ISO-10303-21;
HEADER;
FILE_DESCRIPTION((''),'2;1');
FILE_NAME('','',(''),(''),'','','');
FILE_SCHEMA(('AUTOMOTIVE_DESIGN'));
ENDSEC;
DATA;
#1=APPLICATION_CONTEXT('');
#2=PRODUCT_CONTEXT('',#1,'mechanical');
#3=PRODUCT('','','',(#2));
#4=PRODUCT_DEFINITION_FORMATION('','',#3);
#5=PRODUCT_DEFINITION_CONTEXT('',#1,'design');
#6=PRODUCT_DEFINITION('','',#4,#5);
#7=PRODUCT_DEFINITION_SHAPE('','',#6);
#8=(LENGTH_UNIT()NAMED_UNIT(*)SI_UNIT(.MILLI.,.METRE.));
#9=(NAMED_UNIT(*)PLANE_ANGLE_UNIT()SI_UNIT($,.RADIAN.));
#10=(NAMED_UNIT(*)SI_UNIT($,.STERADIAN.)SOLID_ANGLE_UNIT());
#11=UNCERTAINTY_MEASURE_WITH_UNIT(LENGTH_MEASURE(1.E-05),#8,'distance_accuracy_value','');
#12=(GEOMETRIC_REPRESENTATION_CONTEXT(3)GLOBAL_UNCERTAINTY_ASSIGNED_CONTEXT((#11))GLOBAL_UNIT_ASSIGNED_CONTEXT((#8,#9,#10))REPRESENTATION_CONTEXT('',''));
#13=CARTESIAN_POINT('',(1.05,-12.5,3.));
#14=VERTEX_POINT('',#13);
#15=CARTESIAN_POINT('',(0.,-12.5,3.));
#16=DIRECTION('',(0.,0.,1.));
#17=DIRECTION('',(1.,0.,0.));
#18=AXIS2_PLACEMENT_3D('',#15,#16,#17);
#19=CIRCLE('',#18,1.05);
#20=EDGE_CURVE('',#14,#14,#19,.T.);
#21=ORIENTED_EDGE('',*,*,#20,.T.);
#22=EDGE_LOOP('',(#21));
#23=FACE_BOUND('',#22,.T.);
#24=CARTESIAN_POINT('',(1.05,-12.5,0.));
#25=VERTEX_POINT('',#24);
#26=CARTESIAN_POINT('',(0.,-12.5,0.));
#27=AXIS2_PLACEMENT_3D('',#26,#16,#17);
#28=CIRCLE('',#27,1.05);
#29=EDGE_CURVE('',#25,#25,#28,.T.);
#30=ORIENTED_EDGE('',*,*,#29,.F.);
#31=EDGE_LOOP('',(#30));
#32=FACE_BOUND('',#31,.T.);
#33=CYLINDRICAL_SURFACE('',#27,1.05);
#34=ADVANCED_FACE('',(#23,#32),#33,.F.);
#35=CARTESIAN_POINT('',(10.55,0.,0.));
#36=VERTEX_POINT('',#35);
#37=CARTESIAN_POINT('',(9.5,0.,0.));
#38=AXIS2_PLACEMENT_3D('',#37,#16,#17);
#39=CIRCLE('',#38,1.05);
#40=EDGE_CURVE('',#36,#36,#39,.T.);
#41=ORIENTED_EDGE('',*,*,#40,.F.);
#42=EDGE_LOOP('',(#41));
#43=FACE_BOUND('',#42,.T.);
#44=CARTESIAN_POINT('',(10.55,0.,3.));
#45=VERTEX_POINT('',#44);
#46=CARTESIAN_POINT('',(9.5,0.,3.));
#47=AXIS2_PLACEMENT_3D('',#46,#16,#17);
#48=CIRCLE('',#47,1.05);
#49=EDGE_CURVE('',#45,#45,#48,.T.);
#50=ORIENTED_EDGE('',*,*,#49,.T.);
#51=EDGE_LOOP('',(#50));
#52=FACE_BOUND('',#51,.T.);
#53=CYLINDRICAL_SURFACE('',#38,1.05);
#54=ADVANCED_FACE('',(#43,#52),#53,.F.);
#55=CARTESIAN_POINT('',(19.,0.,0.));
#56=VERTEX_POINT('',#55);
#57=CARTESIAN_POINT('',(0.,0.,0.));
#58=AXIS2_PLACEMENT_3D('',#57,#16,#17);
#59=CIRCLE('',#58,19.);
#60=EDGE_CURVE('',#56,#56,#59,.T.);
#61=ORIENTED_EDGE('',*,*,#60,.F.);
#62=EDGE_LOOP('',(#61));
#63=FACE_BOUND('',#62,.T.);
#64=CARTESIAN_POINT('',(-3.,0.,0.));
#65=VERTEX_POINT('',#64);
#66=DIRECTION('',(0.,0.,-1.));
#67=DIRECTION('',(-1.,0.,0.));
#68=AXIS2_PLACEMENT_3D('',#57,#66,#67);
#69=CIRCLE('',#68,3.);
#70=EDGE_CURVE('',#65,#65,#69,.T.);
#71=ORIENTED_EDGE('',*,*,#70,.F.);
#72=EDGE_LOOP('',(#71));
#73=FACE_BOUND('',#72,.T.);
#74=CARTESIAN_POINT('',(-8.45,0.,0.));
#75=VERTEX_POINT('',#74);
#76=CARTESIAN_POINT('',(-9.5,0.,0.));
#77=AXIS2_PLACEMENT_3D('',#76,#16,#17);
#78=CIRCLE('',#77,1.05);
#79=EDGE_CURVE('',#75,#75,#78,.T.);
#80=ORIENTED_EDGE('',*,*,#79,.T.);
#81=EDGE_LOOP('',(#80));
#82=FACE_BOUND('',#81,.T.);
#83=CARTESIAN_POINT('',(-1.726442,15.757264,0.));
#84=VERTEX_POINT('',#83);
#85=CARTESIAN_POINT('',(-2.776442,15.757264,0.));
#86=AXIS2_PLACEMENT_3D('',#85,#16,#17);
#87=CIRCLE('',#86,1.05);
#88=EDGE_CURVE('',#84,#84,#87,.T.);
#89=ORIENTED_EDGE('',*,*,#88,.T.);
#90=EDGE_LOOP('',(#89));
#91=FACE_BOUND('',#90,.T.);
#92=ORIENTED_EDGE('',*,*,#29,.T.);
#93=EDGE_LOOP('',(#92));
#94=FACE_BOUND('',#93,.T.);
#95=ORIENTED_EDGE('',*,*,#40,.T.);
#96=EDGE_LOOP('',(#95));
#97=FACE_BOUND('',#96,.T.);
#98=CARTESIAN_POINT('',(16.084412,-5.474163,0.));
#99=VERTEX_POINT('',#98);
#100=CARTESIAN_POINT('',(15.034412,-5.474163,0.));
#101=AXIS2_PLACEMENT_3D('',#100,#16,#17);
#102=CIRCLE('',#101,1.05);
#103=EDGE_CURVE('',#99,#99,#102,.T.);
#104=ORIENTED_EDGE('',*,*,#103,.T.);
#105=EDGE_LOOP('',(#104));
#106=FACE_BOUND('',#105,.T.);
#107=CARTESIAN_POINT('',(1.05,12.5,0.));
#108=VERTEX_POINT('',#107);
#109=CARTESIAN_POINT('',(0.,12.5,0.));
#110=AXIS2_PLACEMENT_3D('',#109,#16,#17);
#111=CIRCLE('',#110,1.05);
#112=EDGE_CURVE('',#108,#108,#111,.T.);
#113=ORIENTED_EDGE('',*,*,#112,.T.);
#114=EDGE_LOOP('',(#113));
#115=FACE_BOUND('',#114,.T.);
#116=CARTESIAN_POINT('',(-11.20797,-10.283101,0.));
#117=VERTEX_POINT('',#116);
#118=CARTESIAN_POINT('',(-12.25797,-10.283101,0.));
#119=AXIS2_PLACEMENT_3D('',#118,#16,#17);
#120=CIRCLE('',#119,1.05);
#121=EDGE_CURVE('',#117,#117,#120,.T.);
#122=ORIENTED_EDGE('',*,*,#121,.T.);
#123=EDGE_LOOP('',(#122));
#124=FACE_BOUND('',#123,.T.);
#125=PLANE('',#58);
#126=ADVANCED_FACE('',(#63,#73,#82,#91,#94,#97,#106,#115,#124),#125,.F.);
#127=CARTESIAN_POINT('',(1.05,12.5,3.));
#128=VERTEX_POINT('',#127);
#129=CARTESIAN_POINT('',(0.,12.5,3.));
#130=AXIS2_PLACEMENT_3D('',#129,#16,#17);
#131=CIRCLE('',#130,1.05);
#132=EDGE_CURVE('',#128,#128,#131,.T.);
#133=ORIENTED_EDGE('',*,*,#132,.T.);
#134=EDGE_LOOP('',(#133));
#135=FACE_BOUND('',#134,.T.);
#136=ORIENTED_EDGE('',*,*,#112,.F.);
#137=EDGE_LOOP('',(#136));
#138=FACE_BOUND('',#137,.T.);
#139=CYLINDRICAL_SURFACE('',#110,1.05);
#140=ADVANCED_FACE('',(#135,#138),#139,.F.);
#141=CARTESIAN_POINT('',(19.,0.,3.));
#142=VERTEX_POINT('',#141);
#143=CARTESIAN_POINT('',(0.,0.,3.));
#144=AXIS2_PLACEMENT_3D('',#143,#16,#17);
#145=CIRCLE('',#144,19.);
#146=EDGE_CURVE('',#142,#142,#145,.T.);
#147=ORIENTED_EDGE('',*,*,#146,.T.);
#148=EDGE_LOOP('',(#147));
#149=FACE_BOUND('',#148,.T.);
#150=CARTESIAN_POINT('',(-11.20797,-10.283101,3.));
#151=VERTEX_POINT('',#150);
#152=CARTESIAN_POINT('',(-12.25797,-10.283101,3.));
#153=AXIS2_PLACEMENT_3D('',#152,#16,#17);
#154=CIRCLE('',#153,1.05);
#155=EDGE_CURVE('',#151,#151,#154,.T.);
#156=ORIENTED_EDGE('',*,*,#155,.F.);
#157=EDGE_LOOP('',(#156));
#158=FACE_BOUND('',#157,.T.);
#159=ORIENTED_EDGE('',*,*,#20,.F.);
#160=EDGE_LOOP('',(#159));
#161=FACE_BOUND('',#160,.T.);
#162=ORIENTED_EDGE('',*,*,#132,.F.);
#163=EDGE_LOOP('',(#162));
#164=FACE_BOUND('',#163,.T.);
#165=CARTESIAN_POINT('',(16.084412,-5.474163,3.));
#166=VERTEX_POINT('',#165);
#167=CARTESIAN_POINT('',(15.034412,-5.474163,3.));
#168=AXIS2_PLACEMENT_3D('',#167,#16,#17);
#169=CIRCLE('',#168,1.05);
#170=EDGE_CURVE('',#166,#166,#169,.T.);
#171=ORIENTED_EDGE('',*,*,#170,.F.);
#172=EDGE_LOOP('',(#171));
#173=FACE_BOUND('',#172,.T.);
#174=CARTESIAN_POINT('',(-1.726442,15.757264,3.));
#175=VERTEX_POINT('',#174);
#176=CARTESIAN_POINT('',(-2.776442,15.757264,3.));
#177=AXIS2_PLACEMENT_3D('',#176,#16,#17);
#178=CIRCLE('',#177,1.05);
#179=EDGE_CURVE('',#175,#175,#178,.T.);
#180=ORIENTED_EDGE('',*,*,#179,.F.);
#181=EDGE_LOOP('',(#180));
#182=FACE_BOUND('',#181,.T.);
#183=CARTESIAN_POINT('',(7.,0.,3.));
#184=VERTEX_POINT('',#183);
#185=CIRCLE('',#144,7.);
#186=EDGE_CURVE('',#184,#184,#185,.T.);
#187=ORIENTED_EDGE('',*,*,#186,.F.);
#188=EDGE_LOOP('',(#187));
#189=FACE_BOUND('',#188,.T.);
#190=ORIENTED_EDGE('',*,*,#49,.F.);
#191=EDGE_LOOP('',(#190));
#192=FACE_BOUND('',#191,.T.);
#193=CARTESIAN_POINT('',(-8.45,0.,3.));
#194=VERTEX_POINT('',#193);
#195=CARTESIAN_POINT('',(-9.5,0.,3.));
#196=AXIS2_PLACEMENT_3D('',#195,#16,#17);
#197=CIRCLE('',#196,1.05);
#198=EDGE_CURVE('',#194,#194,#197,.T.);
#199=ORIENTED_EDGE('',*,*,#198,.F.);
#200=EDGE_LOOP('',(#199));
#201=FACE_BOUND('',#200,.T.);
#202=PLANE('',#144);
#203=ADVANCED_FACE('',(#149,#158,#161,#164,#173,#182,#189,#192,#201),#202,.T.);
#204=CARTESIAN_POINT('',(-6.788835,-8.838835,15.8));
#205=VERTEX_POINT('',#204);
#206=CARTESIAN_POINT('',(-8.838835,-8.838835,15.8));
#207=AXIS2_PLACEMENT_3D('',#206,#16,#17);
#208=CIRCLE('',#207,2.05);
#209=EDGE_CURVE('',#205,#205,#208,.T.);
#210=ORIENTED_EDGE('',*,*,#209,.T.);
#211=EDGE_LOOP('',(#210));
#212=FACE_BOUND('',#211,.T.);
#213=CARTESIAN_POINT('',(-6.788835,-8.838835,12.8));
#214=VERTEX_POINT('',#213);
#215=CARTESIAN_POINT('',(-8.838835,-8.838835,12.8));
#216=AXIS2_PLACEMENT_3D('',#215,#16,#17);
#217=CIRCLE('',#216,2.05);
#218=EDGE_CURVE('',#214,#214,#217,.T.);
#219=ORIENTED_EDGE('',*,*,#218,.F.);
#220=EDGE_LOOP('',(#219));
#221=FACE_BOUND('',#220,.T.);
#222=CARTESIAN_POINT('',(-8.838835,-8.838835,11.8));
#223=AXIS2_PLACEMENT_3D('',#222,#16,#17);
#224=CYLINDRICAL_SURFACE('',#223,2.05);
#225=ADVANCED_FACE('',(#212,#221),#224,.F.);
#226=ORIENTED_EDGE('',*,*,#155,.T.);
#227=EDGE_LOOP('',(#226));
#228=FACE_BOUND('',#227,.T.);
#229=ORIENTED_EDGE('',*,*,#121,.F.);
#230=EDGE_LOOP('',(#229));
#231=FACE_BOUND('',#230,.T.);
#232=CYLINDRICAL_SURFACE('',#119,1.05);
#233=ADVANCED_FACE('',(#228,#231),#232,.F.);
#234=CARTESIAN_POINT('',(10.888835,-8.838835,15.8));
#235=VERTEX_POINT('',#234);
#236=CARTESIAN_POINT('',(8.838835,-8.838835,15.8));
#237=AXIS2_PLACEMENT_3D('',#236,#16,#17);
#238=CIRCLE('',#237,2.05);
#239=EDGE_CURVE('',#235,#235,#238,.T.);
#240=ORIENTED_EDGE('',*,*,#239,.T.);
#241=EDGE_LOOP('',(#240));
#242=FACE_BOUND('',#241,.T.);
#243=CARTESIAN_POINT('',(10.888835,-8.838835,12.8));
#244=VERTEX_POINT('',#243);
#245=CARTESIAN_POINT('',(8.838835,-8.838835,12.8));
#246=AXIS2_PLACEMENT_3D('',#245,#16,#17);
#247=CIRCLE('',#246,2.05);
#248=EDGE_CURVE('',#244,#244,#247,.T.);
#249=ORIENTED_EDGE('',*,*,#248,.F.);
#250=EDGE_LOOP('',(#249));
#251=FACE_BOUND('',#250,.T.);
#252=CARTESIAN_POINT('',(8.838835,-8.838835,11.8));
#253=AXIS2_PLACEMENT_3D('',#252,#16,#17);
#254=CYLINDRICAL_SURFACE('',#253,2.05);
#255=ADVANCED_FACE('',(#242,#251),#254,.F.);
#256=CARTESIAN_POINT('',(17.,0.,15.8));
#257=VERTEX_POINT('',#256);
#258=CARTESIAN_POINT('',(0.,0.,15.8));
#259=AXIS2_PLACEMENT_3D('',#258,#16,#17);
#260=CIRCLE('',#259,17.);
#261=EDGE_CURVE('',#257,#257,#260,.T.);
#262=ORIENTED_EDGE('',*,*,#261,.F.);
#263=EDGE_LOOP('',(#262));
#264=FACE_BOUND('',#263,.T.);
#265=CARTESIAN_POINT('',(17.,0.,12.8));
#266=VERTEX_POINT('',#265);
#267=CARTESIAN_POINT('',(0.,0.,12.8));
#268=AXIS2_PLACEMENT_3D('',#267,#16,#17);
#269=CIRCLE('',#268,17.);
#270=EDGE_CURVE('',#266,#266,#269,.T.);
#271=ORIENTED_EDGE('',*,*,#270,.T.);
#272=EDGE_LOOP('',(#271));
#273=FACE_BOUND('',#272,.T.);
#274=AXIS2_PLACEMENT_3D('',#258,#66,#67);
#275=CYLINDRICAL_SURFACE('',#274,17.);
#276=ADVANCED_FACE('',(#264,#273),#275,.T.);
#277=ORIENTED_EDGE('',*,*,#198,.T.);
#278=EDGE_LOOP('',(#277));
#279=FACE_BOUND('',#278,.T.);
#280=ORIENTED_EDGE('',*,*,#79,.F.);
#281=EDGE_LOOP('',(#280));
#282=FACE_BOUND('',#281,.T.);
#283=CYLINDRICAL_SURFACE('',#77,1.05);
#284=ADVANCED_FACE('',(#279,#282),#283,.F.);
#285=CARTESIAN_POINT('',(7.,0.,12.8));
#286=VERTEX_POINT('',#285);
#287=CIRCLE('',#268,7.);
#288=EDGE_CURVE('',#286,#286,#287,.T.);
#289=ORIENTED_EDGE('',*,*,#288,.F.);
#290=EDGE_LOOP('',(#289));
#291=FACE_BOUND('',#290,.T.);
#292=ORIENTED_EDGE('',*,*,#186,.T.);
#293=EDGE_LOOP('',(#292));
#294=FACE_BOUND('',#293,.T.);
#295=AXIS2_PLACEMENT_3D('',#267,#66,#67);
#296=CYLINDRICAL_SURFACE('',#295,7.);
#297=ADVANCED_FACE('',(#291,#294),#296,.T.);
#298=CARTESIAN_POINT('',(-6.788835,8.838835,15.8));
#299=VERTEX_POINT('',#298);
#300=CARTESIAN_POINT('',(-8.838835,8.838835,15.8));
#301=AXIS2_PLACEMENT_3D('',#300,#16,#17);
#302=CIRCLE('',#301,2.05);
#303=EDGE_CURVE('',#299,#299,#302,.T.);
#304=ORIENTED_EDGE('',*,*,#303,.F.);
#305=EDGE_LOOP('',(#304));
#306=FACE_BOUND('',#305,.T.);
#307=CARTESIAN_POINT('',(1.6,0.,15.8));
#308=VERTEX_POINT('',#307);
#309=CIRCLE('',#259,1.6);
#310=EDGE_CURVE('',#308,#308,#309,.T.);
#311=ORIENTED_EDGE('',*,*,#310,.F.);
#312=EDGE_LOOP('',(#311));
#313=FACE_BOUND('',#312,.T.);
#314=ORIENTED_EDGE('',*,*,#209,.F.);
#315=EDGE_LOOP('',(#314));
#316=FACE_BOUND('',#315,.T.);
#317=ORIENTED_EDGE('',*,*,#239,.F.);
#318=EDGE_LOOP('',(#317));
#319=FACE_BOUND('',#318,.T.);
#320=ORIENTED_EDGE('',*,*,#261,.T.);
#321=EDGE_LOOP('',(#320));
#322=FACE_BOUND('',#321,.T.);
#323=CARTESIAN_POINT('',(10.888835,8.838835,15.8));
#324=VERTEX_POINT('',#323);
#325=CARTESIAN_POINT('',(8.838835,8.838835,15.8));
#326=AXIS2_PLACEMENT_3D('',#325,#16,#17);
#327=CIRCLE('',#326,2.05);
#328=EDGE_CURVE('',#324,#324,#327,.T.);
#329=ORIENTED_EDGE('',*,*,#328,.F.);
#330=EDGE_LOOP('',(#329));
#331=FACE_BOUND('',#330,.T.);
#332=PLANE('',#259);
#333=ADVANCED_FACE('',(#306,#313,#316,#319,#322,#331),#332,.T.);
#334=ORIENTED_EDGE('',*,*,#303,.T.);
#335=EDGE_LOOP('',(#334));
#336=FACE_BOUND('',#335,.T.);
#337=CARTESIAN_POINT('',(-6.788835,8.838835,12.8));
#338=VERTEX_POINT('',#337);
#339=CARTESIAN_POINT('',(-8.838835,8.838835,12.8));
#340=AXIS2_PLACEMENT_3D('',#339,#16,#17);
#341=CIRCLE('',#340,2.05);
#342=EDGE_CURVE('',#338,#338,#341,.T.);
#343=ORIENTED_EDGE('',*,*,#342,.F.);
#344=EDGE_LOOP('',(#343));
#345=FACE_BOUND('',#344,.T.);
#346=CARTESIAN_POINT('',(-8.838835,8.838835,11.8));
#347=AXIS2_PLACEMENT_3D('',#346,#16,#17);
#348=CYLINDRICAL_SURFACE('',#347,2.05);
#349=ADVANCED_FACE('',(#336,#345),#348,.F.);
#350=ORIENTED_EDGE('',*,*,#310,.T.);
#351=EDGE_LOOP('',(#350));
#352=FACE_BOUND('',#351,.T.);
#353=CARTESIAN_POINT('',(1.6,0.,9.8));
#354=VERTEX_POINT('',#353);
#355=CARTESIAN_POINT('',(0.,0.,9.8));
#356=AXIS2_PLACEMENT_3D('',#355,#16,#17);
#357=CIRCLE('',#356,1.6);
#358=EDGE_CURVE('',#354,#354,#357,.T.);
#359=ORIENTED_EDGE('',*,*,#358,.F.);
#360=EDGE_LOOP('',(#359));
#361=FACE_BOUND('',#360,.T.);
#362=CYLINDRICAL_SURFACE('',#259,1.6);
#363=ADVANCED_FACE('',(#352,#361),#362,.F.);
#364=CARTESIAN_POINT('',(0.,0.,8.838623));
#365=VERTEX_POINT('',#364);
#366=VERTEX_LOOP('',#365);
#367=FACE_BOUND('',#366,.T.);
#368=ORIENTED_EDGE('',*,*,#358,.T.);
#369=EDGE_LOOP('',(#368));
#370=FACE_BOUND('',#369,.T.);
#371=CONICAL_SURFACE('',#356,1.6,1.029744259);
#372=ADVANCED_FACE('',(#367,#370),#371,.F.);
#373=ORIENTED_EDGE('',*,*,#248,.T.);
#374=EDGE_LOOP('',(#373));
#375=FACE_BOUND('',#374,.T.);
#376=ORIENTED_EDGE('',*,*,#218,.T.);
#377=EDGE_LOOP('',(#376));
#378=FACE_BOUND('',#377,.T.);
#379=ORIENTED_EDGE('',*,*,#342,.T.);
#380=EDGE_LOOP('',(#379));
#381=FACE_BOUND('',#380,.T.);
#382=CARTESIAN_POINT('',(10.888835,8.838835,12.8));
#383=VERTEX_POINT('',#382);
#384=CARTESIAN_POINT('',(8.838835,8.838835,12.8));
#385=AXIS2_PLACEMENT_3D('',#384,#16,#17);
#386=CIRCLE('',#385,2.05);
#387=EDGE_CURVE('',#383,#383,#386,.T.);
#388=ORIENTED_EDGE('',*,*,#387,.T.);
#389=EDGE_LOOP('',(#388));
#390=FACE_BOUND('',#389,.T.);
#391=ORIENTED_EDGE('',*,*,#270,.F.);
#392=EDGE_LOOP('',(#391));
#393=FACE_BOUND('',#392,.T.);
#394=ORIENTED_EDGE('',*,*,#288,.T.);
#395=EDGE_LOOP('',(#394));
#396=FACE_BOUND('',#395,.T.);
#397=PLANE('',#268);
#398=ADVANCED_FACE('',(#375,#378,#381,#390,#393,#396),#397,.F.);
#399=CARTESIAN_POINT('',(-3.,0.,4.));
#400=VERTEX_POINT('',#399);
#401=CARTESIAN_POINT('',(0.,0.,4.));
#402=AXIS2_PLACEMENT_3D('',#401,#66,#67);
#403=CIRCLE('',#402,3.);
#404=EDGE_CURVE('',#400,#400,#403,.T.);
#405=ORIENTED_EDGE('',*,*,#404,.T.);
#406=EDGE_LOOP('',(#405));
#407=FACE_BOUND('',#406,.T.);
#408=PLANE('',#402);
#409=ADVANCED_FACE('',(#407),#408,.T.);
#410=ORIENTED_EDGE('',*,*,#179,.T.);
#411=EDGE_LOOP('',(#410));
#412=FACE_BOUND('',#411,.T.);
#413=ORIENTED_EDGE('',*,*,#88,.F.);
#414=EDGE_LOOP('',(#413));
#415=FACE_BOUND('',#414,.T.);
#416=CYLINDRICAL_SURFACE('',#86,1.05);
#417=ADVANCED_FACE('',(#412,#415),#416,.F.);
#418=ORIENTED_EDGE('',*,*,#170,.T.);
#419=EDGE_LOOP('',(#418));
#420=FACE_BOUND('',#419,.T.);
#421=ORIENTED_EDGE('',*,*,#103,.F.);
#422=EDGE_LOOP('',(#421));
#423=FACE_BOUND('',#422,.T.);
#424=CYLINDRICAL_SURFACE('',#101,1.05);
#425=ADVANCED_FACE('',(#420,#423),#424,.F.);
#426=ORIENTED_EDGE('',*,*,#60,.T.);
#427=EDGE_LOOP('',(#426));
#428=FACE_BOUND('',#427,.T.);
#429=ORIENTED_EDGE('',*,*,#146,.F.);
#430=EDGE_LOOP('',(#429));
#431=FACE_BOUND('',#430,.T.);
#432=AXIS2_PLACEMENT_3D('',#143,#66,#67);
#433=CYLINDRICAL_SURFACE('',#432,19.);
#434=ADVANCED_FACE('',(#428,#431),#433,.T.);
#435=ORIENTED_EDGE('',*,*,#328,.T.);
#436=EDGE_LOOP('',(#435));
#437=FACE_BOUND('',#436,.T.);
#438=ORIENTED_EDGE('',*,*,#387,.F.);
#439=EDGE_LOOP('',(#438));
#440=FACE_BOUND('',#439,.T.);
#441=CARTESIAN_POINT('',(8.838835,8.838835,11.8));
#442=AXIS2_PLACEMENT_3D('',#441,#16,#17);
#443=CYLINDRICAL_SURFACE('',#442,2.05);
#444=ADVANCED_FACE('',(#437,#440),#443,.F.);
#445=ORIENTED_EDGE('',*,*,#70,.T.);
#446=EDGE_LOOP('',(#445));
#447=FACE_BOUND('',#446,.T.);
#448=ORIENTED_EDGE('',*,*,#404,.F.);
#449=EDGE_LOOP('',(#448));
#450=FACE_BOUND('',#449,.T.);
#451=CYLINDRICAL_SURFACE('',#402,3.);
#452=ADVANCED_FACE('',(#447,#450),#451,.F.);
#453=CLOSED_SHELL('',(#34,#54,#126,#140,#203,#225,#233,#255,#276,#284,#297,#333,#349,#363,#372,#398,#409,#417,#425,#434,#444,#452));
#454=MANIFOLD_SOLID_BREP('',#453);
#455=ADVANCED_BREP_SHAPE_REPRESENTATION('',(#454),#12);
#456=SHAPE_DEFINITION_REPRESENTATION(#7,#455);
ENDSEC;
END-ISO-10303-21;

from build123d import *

# Parameters (mm, degrees)
SKETCH_1_R                  = 19
EXTRUDE_1_DEPTH             = 3
SKETCH_2_R                  = 1.05
CUT_EXTRUDE_1_DEPTH         = 28.037011669
SKETCH_3_R                  = 7
EXTRUDE_2_DEPTH             = 9.8
SKETCH_4_R                  = 17
EXTRUDE_3_DEPTH             = 3
HOLE_WIZARD_3_2_3_2_1_D     = 3.2
HOLE_WIZARD_3_2_3_2_1_DEPTH = 6
HOLE_WIZARD_3_2_3_2_1_TIP   = 0.96137699
SKETCH_7_R                  = 3
CUT_EXTRUDE_2_DEPTH         = 4
SKETCH_8_R                  = 2.05
CUT_EXTRUDE_3_DEPTH         = 4


with BuildPart() as part:
    # 草图1 → 凸台-拉伸1 (new body)
    with BuildSketch(Plane.XY):
        Circle(SKETCH_1_R)
    extrude(amount=EXTRUDE_1_DEPTH)

    # 草图2 → 切除-拉伸1 (cut, through all)
    with BuildSketch(Plane.XY.offset(3)):
        with Locations((0, 12.5)):
            Circle(SKETCH_2_R)
        with Locations((-9.5, 0)):
            Circle(SKETCH_2_R)
        with Locations((9.5, 0)):
            Circle(SKETCH_2_R)
        with Locations((0, -12.5)):
            Circle(SKETCH_2_R)
        with Locations((-2.77644219, 15.757264)):
            Circle(SKETCH_2_R)
        with Locations((15.034412013, -5.474162531)):
            Circle(SKETCH_2_R)
        with Locations((-12.257969823, -10.283101469)):
            Circle(SKETCH_2_R)
    extrude(amount=-CUT_EXTRUDE_1_DEPTH, mode=Mode.SUBTRACT)

    # 草图3 → 凸台-拉伸2 (add)
    with BuildSketch(Plane.XY.offset(3)):
        Circle(SKETCH_3_R)
    extrude(amount=EXTRUDE_2_DEPTH)

    # 草图4 → 凸台-拉伸3 (add)
    with BuildSketch(Plane.XY.offset(12.8)):
        Circle(SKETCH_4_R)
    extrude(amount=EXTRUDE_3_DEPTH)

    # Ø3.2 (3.2) 直径孔1
    with Locations(Plane.XY.offset(15.8)):
        with Locations((0, 0)):
            Hole(HOLE_WIZARD_3_2_3_2_1_D / 2, depth=HOLE_WIZARD_3_2_3_2_1_DEPTH)
            with Locations((0, 0, -(HOLE_WIZARD_3_2_3_2_1_DEPTH + HOLE_WIZARD_3_2_3_2_1_TIP / 2))):  # 118° drill point
                Cone(0, HOLE_WIZARD_3_2_3_2_1_D / 2, HOLE_WIZARD_3_2_3_2_1_TIP, mode=Mode.SUBTRACT)

    # 草图7 → 切除-拉伸2 (cut)
    with BuildSketch(Plane(origin=(0, 0, 0), x_dir=(-1, 0, 0), z_dir=(0, 0, -1))):
        Circle(SKETCH_7_R)
    extrude(amount=-CUT_EXTRUDE_2_DEPTH, mode=Mode.SUBTRACT)

    # 草图8 → 切除-拉伸3 (cut)
    with BuildSketch(Plane.XY.offset(15.8)):
        with Locations((8.838834765, 8.838834765)):
            Circle(SKETCH_8_R)
        with Locations((8.838834765, -8.838834765)):
            Circle(SKETCH_8_R)
        with Locations((-8.838834765, -8.838834765)):
            Circle(SKETCH_8_R)
        with Locations((-8.838834765, 8.838834765)):
            Circle(SKETCH_8_R)
    extrude(amount=-CUT_EXTRUDE_3_DEPTH, mode=Mode.SUBTRACT)


solid = part.part
